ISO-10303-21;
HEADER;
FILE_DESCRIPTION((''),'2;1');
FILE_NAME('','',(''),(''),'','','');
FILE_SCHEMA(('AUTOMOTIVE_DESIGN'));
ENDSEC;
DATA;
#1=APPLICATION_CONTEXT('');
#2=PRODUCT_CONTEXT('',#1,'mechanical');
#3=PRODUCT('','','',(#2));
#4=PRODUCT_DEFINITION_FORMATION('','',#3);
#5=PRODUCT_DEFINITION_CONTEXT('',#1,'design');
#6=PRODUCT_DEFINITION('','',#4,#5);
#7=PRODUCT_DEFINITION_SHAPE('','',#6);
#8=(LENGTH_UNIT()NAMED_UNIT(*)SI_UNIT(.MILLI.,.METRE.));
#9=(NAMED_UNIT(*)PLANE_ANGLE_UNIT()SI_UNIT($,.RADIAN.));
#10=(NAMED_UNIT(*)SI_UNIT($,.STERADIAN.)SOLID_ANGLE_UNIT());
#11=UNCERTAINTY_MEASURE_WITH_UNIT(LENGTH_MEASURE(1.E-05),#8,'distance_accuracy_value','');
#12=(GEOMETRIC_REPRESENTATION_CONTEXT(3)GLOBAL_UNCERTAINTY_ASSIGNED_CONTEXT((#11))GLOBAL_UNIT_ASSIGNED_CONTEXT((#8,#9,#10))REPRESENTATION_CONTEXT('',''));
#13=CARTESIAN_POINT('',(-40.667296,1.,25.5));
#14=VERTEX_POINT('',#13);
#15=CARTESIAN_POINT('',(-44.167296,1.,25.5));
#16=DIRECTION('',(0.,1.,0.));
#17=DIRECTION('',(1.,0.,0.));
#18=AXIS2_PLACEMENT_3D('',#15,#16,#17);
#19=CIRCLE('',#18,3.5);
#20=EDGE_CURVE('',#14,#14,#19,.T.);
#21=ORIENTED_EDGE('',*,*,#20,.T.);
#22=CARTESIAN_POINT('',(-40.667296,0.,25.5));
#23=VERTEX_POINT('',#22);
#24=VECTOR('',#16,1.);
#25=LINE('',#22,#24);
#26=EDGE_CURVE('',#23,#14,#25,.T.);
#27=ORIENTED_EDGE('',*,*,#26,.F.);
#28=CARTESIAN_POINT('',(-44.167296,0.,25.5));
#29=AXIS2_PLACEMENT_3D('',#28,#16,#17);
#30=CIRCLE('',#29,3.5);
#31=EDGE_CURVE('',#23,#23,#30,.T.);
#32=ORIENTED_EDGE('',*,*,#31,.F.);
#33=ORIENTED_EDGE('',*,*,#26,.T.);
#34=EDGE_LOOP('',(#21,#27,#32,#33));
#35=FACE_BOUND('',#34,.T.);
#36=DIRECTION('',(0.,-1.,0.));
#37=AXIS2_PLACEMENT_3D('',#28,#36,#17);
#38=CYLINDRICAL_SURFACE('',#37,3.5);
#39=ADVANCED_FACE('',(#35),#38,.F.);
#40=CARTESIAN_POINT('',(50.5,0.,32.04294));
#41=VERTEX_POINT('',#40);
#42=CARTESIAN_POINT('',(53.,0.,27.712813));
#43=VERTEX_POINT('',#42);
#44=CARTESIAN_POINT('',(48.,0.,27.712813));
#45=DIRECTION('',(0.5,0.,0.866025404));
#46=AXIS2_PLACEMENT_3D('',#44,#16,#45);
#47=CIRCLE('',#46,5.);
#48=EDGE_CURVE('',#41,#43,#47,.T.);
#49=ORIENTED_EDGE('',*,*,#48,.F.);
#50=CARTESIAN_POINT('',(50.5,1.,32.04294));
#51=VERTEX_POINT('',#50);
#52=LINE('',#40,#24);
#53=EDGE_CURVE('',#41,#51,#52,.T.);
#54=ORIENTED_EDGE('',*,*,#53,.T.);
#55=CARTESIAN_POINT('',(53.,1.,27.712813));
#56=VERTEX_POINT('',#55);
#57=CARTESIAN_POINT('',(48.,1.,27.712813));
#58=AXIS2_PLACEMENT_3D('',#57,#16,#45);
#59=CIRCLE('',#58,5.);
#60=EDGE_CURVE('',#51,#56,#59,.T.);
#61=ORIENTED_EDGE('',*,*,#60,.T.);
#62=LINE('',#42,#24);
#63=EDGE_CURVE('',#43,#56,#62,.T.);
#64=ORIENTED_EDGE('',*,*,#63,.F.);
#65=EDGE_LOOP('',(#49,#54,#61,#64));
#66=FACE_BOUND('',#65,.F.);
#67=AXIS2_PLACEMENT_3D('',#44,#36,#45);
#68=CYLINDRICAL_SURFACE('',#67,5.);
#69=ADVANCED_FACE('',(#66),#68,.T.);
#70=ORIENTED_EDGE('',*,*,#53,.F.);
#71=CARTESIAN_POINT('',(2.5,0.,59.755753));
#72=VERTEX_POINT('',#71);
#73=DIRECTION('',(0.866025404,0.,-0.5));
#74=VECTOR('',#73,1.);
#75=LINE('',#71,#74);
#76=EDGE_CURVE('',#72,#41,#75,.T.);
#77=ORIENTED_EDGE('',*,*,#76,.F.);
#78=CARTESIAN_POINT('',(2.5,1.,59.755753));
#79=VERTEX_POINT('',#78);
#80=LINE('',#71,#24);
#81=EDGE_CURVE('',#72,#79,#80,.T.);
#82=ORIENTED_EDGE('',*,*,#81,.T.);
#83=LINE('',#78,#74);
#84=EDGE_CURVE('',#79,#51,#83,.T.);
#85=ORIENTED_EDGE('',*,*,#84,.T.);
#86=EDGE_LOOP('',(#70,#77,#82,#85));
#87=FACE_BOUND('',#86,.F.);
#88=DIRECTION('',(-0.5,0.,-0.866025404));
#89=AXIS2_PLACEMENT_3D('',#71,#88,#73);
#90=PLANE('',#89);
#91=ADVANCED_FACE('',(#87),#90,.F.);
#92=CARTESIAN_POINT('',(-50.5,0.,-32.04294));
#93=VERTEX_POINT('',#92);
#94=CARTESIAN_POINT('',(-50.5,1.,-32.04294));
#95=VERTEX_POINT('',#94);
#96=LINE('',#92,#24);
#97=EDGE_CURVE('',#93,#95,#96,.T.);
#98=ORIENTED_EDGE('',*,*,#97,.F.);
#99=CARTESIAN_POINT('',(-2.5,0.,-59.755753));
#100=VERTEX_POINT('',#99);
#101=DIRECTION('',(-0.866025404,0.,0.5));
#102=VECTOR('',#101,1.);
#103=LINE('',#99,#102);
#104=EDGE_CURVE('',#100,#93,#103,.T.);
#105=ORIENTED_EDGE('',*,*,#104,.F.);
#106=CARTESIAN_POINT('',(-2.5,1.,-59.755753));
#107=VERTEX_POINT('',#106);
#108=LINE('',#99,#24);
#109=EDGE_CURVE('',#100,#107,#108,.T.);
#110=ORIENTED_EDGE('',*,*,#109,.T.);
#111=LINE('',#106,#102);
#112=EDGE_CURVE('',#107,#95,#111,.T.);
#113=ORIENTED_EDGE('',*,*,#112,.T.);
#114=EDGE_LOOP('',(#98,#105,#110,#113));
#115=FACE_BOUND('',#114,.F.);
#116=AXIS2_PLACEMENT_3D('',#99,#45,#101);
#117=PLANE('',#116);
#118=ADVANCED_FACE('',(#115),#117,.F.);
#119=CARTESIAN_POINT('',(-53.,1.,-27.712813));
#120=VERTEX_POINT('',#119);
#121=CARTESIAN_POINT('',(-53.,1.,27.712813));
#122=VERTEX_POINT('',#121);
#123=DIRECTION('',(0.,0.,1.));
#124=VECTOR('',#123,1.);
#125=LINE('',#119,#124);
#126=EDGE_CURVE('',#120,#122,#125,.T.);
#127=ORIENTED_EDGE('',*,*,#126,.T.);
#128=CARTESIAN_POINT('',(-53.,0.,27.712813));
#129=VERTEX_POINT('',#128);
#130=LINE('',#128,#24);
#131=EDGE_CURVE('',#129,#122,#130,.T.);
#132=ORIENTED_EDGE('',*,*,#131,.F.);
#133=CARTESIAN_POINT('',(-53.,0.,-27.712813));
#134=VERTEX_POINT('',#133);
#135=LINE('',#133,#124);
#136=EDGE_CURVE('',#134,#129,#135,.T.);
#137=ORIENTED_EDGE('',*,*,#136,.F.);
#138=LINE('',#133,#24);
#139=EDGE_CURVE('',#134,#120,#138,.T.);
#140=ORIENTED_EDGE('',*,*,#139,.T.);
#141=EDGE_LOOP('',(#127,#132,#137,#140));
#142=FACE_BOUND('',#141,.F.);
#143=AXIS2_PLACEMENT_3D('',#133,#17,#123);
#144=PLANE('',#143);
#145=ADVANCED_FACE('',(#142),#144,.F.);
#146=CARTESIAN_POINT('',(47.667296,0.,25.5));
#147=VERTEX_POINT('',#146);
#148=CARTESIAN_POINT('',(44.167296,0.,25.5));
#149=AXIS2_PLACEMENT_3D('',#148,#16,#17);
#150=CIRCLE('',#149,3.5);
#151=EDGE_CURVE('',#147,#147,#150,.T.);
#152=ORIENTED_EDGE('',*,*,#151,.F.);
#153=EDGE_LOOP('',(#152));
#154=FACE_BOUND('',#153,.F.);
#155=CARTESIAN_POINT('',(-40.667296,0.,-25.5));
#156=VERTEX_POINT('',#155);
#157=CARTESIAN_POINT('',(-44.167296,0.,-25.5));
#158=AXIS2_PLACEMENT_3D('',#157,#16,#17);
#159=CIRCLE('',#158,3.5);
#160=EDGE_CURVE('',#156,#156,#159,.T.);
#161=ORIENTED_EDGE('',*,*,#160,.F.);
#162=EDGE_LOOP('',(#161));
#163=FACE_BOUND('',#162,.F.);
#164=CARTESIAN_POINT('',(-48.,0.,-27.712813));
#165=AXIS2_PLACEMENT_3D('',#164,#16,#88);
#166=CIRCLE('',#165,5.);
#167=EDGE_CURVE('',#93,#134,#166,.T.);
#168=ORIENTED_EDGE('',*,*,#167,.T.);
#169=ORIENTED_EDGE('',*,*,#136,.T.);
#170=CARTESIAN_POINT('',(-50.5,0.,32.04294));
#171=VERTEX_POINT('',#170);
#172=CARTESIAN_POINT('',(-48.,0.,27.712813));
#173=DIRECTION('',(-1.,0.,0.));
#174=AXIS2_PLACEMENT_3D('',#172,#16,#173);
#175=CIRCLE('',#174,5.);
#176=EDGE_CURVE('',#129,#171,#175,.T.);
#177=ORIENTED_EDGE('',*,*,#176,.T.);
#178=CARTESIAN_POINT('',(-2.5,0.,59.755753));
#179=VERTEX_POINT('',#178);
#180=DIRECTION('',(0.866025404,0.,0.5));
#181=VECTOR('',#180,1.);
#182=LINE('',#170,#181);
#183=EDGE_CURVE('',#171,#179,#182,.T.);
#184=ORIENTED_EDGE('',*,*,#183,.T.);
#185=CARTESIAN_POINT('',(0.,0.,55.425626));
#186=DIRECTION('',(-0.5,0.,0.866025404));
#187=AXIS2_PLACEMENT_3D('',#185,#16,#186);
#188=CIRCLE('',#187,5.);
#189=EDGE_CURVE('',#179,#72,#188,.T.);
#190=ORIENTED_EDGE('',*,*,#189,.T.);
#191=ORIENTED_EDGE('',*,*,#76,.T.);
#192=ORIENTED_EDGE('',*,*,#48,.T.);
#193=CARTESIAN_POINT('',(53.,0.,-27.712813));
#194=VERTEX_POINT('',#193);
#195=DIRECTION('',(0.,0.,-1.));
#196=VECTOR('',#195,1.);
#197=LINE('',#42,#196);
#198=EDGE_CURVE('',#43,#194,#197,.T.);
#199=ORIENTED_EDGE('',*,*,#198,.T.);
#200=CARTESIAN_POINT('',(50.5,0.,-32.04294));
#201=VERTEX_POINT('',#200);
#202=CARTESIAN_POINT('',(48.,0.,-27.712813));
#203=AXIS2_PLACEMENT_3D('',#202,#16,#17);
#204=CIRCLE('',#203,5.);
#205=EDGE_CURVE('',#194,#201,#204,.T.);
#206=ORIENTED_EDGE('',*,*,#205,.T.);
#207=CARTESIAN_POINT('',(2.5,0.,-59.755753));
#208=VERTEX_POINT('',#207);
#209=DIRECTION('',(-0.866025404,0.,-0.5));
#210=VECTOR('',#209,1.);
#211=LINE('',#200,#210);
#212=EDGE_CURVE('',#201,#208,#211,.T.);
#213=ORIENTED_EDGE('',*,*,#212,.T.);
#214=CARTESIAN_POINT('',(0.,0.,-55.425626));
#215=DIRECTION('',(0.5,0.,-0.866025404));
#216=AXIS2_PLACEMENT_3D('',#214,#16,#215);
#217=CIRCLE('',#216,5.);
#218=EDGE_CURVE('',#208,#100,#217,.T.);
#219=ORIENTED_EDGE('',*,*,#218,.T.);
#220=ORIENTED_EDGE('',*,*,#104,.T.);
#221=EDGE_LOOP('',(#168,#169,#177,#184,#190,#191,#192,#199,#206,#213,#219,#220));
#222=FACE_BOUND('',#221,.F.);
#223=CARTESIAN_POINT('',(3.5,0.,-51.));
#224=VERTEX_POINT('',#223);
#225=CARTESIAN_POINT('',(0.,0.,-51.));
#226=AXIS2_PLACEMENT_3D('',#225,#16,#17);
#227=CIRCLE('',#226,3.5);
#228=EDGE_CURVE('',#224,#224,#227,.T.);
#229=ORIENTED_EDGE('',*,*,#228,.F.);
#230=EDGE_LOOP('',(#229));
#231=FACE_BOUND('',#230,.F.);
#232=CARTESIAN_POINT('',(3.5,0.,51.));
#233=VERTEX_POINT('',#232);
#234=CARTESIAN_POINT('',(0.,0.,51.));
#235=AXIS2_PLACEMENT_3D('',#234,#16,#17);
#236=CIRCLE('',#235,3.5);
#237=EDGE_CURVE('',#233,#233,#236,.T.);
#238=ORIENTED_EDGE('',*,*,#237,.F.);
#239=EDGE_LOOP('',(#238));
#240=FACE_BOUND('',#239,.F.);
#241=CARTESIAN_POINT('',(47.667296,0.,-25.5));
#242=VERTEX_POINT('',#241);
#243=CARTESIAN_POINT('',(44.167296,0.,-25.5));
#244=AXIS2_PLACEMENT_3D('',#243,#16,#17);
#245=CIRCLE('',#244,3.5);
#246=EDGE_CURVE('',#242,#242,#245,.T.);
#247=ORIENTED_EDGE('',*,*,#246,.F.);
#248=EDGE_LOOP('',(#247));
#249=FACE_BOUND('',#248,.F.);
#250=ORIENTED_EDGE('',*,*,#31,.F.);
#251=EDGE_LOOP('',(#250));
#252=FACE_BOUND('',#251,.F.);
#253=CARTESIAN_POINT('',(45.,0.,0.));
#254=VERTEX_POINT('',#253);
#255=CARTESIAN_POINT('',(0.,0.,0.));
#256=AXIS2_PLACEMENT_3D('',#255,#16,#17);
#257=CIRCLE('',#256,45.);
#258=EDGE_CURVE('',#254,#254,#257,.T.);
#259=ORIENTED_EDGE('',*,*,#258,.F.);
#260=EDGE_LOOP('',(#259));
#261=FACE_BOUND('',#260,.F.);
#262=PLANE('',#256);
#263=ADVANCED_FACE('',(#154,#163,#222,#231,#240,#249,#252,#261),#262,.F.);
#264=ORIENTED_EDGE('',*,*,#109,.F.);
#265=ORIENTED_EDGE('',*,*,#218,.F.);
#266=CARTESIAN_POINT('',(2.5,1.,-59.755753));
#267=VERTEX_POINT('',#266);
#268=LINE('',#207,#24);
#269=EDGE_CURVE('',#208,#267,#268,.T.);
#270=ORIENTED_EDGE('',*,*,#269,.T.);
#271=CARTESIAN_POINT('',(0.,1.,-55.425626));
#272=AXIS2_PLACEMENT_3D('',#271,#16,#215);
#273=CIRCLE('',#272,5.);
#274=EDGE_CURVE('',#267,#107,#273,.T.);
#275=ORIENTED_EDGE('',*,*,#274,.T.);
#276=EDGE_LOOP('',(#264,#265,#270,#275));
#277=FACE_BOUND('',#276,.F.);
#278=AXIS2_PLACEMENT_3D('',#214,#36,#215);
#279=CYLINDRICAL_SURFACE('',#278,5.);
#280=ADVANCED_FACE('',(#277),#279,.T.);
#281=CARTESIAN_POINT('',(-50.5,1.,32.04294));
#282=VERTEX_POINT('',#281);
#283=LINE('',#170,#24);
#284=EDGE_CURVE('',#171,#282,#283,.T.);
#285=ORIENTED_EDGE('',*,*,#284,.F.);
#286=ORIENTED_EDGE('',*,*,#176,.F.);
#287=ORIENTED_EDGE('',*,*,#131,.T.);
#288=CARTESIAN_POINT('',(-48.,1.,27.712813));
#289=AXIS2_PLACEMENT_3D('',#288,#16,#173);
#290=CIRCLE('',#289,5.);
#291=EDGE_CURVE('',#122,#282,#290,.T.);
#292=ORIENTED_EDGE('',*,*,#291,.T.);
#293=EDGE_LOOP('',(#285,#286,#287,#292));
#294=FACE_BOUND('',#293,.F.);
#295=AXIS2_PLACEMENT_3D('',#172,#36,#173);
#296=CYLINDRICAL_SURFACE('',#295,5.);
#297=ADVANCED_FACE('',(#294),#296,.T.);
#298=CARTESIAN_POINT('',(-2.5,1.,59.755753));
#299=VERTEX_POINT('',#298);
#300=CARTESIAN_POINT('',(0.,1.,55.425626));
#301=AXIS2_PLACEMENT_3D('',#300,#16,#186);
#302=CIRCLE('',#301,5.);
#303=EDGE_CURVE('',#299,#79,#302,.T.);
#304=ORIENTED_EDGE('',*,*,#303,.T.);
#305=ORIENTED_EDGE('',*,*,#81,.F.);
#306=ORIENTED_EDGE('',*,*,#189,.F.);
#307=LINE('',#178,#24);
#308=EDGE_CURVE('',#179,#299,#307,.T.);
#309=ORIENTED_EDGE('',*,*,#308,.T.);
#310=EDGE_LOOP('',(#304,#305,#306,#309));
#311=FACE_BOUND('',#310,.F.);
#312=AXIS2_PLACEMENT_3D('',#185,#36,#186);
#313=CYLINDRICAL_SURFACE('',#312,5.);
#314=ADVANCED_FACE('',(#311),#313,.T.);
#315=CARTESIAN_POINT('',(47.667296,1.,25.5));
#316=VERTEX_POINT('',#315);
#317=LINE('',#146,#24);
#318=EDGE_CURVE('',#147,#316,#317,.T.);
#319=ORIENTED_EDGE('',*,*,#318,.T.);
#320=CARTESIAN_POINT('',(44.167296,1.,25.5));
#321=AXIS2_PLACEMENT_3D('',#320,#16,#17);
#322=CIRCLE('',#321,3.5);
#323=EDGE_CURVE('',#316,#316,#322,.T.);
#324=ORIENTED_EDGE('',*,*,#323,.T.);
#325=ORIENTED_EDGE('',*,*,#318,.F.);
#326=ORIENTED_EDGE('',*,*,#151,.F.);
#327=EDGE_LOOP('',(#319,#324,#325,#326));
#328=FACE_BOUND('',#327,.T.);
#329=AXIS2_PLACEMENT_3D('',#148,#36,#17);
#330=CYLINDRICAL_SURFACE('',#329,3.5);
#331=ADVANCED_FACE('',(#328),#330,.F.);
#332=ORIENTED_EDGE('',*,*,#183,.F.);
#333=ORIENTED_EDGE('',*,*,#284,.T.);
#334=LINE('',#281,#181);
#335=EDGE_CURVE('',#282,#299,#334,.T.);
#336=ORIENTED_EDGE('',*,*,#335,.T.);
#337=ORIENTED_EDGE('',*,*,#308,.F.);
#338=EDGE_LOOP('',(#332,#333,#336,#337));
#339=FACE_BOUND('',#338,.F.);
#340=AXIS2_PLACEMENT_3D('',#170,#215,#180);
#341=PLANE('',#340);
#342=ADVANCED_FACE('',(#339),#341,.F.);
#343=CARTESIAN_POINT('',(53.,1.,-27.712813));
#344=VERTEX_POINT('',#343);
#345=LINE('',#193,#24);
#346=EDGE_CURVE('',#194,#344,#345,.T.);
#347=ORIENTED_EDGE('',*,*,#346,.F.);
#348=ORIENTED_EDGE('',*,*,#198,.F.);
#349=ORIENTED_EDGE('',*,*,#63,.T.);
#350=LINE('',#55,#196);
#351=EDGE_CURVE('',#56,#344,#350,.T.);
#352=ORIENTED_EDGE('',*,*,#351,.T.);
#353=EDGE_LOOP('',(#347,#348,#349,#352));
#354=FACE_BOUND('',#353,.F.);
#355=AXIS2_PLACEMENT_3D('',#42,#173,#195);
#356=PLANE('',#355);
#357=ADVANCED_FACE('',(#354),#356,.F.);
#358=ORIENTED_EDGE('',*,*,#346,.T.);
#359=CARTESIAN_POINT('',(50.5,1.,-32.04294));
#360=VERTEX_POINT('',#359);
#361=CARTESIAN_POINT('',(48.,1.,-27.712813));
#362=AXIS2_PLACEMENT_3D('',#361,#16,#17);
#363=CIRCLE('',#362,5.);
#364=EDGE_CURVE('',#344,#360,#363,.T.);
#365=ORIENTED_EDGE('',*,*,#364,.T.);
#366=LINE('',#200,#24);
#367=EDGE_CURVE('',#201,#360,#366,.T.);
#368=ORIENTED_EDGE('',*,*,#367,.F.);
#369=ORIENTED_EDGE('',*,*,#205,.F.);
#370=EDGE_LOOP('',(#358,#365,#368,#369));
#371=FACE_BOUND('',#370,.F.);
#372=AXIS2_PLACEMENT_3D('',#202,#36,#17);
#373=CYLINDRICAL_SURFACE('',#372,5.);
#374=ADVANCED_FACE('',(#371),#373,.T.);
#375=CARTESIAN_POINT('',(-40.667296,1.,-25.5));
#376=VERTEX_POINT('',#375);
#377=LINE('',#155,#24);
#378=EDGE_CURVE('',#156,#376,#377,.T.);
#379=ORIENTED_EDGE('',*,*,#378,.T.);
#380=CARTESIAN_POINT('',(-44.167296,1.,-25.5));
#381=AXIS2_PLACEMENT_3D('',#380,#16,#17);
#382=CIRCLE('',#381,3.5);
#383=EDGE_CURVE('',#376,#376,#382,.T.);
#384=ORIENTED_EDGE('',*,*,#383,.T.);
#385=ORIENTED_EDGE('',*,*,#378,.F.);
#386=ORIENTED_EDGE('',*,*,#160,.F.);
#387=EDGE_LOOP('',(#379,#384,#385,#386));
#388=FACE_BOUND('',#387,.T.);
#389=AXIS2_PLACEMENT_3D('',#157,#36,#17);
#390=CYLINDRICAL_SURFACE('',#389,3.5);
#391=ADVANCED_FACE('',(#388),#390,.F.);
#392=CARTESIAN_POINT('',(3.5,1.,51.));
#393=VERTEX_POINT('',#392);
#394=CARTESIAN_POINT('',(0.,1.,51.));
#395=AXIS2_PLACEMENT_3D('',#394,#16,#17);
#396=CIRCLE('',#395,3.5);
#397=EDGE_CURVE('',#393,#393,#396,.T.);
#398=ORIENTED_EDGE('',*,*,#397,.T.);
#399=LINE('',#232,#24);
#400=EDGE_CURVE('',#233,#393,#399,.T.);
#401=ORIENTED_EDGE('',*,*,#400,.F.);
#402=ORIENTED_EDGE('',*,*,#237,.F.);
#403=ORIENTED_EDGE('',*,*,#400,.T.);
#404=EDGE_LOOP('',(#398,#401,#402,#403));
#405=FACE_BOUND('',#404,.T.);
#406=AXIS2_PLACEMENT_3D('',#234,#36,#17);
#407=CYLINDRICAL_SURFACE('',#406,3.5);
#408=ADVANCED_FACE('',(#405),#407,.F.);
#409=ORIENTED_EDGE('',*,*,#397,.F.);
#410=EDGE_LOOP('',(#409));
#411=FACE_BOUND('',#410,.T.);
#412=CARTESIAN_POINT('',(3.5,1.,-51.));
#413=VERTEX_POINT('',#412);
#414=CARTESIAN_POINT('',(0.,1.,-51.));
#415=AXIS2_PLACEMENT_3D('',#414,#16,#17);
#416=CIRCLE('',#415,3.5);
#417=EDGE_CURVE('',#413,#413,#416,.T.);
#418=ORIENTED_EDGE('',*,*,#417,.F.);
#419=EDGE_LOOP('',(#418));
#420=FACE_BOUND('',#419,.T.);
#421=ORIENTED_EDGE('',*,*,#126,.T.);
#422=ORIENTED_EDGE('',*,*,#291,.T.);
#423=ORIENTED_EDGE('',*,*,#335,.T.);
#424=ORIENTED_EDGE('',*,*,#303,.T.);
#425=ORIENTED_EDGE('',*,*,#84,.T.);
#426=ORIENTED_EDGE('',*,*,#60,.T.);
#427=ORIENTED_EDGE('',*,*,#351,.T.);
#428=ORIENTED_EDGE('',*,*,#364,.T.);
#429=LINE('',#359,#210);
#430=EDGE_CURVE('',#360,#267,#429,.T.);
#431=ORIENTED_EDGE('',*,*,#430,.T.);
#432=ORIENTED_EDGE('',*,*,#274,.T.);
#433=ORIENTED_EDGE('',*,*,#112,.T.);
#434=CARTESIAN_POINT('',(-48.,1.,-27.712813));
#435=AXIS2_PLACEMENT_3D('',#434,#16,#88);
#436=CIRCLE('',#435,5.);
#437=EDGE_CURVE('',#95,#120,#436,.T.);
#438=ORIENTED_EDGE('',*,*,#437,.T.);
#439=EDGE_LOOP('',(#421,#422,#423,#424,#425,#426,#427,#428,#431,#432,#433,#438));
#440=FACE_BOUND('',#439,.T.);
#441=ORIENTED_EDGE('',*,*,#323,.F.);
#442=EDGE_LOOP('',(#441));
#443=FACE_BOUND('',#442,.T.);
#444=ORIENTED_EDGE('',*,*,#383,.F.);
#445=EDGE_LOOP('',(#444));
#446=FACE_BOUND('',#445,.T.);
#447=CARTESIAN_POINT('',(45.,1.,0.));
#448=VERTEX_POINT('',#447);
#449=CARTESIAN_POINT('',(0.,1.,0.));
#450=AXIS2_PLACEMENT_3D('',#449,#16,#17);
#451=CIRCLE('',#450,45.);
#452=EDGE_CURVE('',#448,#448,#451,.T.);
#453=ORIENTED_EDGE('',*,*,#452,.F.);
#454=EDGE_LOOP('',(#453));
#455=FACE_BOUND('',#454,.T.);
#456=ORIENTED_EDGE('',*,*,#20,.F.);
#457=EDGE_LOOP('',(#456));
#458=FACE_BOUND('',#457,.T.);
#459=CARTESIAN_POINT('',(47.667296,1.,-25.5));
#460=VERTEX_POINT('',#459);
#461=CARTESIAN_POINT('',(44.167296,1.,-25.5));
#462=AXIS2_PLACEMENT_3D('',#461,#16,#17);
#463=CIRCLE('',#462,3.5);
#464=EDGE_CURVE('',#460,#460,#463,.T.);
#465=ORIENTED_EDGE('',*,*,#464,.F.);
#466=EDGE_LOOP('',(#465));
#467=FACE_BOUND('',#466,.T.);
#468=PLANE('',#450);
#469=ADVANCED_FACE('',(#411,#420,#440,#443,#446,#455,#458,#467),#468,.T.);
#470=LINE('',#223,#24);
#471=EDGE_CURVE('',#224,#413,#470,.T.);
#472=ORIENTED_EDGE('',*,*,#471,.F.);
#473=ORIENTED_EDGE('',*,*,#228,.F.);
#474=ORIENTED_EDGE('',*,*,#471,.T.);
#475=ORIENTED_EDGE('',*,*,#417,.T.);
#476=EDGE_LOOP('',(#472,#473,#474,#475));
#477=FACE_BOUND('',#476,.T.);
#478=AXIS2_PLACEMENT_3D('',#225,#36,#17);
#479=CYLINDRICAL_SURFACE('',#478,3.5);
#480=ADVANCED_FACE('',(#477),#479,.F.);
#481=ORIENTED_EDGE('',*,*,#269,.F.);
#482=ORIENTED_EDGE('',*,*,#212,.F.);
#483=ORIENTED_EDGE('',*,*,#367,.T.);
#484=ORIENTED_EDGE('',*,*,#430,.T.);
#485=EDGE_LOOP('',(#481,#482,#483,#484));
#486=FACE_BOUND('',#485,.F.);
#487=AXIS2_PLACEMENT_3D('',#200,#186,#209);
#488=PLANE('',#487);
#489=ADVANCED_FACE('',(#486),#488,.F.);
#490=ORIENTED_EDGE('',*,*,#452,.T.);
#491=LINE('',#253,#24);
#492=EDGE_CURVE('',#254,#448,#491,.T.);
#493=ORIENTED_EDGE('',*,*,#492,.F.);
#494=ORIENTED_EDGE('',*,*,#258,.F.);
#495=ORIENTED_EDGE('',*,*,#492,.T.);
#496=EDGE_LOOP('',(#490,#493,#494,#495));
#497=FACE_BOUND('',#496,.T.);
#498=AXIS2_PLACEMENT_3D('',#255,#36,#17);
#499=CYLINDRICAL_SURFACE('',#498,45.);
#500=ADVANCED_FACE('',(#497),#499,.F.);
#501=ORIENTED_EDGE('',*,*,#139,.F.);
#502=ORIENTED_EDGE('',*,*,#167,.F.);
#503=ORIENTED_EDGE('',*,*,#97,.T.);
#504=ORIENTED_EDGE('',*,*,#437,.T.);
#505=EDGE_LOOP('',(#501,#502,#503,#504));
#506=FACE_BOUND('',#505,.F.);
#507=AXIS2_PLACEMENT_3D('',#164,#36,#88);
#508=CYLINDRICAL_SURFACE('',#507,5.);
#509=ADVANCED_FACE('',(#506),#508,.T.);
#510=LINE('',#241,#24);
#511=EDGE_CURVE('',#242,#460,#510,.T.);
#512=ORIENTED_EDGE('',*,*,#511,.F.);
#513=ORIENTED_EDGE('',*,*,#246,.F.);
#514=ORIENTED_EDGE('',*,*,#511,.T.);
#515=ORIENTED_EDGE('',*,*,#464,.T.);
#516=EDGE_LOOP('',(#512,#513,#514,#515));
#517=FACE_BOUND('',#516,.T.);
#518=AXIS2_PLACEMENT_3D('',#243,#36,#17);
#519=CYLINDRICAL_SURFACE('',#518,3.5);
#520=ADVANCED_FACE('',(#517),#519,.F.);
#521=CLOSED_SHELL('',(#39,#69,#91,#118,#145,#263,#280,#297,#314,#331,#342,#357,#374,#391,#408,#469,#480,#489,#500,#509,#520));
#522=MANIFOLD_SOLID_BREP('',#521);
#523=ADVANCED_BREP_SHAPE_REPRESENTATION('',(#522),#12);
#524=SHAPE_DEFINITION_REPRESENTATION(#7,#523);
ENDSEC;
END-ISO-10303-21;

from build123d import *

# Parameters (mm, degrees)
SKETCH1_R           = 45
SKETCH1_R_2         = 3.5
BOSS_EXTRUDE1_DEPTH = 1


with BuildPart() as part:
    # Sketch1 → Boss-Extrude1 (new body)
    with BuildSketch(Plane(origin=(0, 0, 0), x_dir=(1, 0, 0), z_dir=(0, 1, 0))):
        with BuildLine():
            Line((-2.5, 59.755752861), (-50.5, 32.04293994))
            ThreePointArc((-50.5, 32.04293994), (-52.330127019, 30.212812921), (-53, 27.712812921))
            Line((-53, 27.712812921), (-53, -27.712812921))
            ThreePointArc((-53, -27.712812921), (-52.330127019, -30.212812921), (-50.5, -32.04293994))
            Line((-50.5, -32.04293994), (-2.5, -59.755752861))
            ThreePointArc((-2.5, -59.755752861), (0, -60.425625842), (2.5, -59.755752861))
            Line((2.5, -59.755752861), (50.5, -32.04293994))
            ThreePointArc((50.5, -32.04293994), (52.330127019, -30.212812921), (53, -27.712812921))
            Line((53, -27.712812921), (53, 27.712812921))
            ThreePointArc((53, 27.712812921), (52.330127019, 30.212812921), (50.5, 32.04293994))
            Line((50.5, 32.04293994), (2.5, 59.755752861))
            ThreePointArc((2.5, 59.755752861), (0, 60.425625842), (-2.5, 59.755752861))
        make_face()
        Circle(SKETCH1_R, mode=Mode.SUBTRACT)
        with Locations((0, 51)):
            Circle(SKETCH1_R_2, mode=Mode.SUBTRACT)
        with Locations((44.167295593, 25.5)):
            Circle(SKETCH1_R_2, mode=Mode.SUBTRACT)
        with Locations((44.167295593, -25.5)):
            Circle(SKETCH1_R_2, mode=Mode.SUBTRACT)
        with Locations((0, -51)):
            Circle(SKETCH1_R_2, mode=Mode.SUBTRACT)
        with Locations((-44.167295593, -25.5)):
            Circle(SKETCH1_R_2, mode=Mode.SUBTRACT)
        with Locations((-44.167295593, 25.5)):
            Circle(SKETCH1_R_2, mode=Mode.SUBTRACT)
    extrude(amount=BOSS_EXTRUDE1_DEPTH)


solid = part.part
